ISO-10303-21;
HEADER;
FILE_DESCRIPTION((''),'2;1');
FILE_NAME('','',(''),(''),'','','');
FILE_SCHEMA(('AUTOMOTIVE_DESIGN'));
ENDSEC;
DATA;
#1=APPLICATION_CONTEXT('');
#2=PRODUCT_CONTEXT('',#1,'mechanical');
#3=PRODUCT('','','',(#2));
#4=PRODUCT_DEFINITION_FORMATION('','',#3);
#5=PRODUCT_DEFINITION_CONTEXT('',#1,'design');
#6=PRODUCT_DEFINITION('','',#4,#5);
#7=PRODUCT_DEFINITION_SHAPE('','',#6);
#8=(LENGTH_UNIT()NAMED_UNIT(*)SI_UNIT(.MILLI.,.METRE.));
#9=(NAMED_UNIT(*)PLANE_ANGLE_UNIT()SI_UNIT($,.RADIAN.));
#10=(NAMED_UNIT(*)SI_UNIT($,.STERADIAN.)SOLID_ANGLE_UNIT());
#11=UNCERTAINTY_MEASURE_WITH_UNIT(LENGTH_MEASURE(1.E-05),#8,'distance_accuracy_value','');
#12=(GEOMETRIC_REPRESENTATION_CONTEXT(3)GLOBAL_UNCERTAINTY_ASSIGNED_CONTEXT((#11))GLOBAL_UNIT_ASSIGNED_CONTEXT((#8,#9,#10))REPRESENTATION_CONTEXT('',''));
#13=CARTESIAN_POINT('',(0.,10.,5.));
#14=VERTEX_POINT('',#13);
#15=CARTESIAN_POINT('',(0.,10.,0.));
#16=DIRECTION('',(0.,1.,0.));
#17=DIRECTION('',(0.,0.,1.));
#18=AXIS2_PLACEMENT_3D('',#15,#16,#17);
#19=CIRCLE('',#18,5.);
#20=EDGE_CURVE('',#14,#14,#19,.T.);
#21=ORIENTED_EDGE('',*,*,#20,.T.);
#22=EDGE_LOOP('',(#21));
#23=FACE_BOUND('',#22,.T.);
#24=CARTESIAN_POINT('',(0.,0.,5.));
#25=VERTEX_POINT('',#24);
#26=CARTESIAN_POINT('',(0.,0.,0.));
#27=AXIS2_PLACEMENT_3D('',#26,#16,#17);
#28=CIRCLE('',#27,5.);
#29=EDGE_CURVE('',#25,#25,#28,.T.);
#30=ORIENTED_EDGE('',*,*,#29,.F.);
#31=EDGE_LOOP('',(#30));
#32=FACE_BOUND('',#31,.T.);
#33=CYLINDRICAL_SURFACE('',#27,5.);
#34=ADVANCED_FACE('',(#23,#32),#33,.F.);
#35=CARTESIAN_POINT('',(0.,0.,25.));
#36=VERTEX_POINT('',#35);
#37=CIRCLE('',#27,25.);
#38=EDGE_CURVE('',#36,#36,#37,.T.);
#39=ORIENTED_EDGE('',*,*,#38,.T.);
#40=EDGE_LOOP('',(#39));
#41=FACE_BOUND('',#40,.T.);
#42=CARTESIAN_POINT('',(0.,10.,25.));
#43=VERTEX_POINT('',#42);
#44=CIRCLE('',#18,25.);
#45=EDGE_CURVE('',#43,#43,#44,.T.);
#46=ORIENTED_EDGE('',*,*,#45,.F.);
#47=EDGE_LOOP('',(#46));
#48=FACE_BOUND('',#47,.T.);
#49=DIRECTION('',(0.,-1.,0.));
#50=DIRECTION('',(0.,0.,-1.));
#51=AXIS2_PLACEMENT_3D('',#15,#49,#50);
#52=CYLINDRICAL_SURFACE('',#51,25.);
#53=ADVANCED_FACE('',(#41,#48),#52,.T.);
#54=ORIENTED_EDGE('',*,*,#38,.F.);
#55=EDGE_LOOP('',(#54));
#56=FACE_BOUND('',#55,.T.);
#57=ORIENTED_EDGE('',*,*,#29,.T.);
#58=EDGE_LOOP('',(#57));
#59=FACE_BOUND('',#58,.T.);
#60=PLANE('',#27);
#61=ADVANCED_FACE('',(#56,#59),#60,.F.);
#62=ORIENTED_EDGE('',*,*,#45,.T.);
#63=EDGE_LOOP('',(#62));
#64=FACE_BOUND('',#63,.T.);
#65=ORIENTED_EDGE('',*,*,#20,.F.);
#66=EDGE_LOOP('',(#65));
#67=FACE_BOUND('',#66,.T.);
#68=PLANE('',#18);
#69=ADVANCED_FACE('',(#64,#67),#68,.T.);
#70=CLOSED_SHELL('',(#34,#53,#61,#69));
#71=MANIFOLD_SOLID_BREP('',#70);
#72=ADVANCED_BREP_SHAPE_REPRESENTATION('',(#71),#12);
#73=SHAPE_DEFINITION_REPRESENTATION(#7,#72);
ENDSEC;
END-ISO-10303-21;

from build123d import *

# Parameters (mm, degrees)
SKETCH1_R           = 25
BOSS_EXTRUDE1_DEPTH = 10
SKETCH2_R           = 5
CUT_EXTRUDE1_DEPTH  = 10


with BuildPart() as part:
    # Sketch1 → Boss-Extrude1 (new body)
    with BuildSketch(Plane(origin=(0, 0, 0), x_dir=(1, 0, 0), z_dir=(0, 1, 0))):
        with Locations(Location((0, 0, 0), (0, 0, 270))):
            Circle(SKETCH1_R)
    extrude(amount=BOSS_EXTRUDE1_DEPTH)

    # Sketch2 → Cut-Extrude1 (cut)
    with BuildSketch(Plane(origin=(0, 10, 0), x_dir=(1, 0, 0), z_dir=(0, 1, 0))):
        with Locations(Location((0, 0, 0), (0, 0, 270))):
            Circle(SKETCH2_R)
    extrude(amount=-CUT_EXTRUDE1_DEPTH, mode=Mode.SUBTRACT)


solid = part.part
